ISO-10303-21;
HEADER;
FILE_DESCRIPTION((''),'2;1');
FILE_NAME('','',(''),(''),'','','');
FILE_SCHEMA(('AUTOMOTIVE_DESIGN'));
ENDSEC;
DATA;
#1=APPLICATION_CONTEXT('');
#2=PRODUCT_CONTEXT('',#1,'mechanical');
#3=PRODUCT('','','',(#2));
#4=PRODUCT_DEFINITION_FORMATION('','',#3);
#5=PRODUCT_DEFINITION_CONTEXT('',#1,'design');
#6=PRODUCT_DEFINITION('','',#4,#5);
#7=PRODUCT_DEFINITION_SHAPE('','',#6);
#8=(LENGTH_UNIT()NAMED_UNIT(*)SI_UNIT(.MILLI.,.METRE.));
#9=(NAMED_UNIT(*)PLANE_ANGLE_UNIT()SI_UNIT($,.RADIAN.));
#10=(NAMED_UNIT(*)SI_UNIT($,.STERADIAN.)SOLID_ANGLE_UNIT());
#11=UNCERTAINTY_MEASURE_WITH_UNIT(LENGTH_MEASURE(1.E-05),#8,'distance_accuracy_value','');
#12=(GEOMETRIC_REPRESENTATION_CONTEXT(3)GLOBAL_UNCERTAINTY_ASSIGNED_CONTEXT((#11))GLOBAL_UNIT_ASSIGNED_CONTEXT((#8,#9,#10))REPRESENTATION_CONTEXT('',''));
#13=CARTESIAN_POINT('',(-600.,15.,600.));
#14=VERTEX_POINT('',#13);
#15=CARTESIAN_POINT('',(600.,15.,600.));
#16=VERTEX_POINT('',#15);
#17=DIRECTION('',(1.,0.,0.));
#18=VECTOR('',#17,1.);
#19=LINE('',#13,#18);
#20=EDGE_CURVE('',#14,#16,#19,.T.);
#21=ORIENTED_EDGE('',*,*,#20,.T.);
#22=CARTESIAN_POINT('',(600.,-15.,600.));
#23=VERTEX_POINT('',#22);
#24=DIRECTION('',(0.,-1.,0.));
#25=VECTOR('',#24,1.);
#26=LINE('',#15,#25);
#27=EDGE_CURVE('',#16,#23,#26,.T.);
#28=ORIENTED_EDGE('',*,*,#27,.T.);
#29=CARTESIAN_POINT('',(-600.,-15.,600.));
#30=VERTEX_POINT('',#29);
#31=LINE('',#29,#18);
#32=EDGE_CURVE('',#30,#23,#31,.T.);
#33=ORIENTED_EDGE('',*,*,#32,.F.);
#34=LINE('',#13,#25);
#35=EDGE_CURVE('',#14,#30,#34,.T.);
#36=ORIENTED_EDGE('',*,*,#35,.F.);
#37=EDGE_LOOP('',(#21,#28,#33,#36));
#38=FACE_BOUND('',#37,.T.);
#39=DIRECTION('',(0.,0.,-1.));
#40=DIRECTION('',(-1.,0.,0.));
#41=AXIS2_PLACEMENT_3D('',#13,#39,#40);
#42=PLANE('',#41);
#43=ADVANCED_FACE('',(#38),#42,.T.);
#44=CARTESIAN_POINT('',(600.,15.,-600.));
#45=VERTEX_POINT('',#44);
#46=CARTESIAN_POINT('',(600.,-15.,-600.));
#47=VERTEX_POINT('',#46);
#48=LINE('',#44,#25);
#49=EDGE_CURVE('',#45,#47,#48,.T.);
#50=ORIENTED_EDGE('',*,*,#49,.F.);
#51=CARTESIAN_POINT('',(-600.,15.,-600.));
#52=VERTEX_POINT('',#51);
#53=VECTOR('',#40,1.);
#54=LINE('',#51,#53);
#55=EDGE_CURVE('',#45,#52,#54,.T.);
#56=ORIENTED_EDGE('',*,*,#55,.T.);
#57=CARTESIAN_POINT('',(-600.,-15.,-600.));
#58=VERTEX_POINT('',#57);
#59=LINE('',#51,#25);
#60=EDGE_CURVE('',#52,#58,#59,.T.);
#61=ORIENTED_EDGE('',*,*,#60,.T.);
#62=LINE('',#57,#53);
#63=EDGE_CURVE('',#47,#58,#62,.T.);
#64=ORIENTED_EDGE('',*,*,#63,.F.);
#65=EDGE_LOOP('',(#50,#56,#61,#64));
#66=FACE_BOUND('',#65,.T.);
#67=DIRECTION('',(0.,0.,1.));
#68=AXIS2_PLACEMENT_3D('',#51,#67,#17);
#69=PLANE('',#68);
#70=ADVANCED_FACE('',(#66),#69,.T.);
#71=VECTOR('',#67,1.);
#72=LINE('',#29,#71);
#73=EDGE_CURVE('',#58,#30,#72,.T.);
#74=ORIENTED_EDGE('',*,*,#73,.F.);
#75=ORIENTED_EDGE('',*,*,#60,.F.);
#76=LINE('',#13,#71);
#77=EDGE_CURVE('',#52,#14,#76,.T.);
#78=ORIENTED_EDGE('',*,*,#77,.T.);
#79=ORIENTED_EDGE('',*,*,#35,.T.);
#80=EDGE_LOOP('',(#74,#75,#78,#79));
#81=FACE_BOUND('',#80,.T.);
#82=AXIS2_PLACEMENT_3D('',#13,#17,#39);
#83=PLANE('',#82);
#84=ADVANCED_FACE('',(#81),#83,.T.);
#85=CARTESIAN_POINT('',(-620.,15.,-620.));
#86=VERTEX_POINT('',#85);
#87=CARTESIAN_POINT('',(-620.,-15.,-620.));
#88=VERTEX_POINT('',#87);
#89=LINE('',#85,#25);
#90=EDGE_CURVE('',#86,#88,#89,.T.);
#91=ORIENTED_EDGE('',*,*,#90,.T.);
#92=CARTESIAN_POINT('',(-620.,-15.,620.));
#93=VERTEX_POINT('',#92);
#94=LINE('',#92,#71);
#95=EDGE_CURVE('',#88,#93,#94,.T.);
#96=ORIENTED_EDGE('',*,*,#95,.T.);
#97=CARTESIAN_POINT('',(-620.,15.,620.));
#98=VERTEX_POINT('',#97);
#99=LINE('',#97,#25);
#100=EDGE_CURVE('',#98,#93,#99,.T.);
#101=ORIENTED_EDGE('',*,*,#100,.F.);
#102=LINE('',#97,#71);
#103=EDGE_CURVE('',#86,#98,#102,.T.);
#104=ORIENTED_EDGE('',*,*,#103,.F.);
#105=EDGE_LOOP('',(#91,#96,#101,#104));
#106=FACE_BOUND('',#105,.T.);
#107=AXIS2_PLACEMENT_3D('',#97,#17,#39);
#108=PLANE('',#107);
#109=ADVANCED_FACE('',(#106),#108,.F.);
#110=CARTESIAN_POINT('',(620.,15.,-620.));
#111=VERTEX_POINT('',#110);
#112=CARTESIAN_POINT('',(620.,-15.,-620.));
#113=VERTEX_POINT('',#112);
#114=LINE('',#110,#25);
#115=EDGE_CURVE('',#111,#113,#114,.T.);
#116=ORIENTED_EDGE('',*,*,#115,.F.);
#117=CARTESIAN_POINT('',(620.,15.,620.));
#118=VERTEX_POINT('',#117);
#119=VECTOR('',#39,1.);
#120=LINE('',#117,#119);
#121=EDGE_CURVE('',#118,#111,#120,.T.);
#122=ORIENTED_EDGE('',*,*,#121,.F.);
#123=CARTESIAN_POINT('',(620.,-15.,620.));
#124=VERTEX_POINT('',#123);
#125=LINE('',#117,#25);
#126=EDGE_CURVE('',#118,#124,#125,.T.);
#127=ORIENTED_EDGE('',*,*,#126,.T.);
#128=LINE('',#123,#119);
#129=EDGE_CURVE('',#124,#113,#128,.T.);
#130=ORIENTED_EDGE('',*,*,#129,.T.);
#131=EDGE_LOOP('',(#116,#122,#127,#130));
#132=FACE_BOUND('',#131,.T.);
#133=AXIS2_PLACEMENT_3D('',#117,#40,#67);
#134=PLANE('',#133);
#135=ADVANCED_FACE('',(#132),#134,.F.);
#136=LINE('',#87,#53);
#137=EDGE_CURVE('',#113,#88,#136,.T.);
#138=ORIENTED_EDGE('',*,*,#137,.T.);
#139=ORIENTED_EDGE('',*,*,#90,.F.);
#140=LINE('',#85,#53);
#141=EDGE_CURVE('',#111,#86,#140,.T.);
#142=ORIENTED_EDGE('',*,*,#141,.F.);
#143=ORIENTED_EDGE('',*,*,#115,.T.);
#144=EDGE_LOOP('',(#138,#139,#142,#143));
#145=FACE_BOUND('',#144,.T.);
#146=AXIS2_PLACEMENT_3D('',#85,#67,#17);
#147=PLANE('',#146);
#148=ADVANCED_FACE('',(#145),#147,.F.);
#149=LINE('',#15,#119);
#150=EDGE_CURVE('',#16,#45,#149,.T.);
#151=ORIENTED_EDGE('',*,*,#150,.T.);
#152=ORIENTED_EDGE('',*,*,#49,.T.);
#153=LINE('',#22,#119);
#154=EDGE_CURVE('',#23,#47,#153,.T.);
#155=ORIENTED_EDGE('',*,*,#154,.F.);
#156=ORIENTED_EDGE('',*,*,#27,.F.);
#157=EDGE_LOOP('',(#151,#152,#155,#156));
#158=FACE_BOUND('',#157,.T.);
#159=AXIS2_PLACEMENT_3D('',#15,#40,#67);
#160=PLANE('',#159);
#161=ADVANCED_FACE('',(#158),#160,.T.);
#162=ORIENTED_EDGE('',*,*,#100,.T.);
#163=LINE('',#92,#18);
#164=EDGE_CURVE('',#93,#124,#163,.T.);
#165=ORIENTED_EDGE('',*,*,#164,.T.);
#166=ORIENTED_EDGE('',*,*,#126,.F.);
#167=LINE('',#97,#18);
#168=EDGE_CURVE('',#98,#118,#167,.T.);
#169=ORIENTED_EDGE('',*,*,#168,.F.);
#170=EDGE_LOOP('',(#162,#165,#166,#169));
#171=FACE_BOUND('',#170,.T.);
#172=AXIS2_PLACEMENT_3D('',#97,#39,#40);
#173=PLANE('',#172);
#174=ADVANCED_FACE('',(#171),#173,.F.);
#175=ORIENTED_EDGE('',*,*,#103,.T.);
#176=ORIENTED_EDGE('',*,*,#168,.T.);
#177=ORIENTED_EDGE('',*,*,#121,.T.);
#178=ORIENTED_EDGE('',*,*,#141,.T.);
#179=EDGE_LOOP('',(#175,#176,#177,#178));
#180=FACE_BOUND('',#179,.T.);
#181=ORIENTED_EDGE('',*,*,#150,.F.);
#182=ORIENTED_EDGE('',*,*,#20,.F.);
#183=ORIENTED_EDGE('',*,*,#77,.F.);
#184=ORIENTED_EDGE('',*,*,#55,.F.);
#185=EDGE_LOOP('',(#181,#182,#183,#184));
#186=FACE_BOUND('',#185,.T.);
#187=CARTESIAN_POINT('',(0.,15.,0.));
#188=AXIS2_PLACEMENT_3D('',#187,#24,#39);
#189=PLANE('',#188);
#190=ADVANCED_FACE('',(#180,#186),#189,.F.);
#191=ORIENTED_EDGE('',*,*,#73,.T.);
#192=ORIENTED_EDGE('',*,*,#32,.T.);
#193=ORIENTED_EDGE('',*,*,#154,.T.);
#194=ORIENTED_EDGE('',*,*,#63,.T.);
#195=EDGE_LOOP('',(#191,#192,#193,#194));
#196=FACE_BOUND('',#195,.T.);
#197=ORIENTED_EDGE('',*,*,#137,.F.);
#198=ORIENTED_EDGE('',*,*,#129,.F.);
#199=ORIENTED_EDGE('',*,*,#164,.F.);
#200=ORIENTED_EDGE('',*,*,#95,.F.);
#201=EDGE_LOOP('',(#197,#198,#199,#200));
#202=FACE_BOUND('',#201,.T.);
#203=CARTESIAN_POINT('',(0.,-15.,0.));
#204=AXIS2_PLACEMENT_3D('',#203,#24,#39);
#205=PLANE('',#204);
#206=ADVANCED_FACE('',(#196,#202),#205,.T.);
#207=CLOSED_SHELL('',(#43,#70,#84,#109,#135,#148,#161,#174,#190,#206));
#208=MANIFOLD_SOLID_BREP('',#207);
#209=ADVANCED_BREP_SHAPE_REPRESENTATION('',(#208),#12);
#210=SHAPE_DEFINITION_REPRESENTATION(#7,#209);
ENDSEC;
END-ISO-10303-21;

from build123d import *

# Parameters (mm, degrees)
SKETCH1_W           = 1240
SKETCH1_H           = 1240
SKETCH1_W_2         = 1200
SKETCH1_H_2         = 1200
BOSS_EXTRUDE1_DEPTH = 15


with BuildPart() as part:
    # Sketch1 → Boss-Extrude1 (new, symmetric)
    with BuildSketch(Plane(origin=(0, 0, 0), x_dir=(1, 0, 0), z_dir=(0, 1, 0))):
        Rectangle(SKETCH1_W, SKETCH1_H)
        Rectangle(SKETCH1_W_2, SKETCH1_H_2, mode=Mode.SUBTRACT)
    extrude(amount=BOSS_EXTRUDE1_DEPTH, both=True)


solid = part.part
